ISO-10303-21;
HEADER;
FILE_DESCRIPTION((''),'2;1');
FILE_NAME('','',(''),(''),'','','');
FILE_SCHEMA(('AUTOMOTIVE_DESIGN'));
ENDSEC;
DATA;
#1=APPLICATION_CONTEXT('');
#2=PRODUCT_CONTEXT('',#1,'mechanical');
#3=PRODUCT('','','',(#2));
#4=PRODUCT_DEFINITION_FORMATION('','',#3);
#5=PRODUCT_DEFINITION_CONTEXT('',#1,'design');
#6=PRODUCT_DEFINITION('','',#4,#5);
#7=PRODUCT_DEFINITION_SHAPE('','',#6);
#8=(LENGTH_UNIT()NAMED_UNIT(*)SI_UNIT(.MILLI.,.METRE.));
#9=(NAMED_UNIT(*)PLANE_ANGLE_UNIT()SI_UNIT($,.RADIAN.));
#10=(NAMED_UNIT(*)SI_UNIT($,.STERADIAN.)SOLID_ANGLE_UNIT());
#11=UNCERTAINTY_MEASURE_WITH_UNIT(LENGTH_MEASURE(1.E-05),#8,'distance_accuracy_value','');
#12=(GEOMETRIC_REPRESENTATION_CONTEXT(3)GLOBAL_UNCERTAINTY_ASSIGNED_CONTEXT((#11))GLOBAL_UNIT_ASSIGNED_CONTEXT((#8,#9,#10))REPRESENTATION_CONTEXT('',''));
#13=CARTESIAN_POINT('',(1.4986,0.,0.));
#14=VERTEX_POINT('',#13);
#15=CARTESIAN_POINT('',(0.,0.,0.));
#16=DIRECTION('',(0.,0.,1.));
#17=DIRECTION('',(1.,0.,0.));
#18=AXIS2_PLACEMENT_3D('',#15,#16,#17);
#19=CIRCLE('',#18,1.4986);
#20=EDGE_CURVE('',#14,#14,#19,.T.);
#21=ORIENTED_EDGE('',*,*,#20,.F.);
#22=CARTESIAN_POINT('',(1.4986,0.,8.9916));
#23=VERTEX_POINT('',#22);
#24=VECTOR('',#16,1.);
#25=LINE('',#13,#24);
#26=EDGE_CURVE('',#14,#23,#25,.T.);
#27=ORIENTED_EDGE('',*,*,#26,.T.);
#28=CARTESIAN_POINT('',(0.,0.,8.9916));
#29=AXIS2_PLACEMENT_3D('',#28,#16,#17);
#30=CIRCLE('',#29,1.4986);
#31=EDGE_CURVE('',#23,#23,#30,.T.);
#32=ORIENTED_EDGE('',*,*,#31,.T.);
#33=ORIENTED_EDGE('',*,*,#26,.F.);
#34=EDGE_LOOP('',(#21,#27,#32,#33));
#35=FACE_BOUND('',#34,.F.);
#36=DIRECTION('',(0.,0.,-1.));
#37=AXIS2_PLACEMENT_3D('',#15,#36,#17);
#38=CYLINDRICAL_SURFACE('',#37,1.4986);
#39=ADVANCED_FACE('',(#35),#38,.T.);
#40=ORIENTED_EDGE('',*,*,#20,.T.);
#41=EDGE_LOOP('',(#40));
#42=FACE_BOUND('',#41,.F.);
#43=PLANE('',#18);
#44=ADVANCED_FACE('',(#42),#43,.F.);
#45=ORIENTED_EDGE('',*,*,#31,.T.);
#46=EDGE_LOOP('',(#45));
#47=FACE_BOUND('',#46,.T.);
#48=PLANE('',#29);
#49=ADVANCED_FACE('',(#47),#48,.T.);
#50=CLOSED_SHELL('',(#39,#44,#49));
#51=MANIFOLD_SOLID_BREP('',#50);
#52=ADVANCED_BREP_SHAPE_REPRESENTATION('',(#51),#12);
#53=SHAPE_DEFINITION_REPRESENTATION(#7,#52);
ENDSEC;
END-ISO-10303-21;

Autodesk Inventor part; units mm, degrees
ref_plane "YZ Plane" through (0, 0, 0) normal (1, 0, 0) x (0, 1, 0)
ref_plane "XZ Plane" through (0, 0, 0) normal (0, 1, 0) x (-1, 0, 0)
ref_plane "XY Plane" through (0, 0, 0) normal (0, 0, 1) x (1, 0, 0)
sketch "Sketch1" plane through (0, 0, 0) normal (0, 0, 1) x (1, 0, 0)
  circle A0 centre (0, 0) radius 1.4986
  dimension "d0" = 2.9972
extrude "Extrusion1" add sketch "Sketch1" along normal blind 8.9916
properties part number "Gearmotor_Shaft" material "Steel, Carbon"
